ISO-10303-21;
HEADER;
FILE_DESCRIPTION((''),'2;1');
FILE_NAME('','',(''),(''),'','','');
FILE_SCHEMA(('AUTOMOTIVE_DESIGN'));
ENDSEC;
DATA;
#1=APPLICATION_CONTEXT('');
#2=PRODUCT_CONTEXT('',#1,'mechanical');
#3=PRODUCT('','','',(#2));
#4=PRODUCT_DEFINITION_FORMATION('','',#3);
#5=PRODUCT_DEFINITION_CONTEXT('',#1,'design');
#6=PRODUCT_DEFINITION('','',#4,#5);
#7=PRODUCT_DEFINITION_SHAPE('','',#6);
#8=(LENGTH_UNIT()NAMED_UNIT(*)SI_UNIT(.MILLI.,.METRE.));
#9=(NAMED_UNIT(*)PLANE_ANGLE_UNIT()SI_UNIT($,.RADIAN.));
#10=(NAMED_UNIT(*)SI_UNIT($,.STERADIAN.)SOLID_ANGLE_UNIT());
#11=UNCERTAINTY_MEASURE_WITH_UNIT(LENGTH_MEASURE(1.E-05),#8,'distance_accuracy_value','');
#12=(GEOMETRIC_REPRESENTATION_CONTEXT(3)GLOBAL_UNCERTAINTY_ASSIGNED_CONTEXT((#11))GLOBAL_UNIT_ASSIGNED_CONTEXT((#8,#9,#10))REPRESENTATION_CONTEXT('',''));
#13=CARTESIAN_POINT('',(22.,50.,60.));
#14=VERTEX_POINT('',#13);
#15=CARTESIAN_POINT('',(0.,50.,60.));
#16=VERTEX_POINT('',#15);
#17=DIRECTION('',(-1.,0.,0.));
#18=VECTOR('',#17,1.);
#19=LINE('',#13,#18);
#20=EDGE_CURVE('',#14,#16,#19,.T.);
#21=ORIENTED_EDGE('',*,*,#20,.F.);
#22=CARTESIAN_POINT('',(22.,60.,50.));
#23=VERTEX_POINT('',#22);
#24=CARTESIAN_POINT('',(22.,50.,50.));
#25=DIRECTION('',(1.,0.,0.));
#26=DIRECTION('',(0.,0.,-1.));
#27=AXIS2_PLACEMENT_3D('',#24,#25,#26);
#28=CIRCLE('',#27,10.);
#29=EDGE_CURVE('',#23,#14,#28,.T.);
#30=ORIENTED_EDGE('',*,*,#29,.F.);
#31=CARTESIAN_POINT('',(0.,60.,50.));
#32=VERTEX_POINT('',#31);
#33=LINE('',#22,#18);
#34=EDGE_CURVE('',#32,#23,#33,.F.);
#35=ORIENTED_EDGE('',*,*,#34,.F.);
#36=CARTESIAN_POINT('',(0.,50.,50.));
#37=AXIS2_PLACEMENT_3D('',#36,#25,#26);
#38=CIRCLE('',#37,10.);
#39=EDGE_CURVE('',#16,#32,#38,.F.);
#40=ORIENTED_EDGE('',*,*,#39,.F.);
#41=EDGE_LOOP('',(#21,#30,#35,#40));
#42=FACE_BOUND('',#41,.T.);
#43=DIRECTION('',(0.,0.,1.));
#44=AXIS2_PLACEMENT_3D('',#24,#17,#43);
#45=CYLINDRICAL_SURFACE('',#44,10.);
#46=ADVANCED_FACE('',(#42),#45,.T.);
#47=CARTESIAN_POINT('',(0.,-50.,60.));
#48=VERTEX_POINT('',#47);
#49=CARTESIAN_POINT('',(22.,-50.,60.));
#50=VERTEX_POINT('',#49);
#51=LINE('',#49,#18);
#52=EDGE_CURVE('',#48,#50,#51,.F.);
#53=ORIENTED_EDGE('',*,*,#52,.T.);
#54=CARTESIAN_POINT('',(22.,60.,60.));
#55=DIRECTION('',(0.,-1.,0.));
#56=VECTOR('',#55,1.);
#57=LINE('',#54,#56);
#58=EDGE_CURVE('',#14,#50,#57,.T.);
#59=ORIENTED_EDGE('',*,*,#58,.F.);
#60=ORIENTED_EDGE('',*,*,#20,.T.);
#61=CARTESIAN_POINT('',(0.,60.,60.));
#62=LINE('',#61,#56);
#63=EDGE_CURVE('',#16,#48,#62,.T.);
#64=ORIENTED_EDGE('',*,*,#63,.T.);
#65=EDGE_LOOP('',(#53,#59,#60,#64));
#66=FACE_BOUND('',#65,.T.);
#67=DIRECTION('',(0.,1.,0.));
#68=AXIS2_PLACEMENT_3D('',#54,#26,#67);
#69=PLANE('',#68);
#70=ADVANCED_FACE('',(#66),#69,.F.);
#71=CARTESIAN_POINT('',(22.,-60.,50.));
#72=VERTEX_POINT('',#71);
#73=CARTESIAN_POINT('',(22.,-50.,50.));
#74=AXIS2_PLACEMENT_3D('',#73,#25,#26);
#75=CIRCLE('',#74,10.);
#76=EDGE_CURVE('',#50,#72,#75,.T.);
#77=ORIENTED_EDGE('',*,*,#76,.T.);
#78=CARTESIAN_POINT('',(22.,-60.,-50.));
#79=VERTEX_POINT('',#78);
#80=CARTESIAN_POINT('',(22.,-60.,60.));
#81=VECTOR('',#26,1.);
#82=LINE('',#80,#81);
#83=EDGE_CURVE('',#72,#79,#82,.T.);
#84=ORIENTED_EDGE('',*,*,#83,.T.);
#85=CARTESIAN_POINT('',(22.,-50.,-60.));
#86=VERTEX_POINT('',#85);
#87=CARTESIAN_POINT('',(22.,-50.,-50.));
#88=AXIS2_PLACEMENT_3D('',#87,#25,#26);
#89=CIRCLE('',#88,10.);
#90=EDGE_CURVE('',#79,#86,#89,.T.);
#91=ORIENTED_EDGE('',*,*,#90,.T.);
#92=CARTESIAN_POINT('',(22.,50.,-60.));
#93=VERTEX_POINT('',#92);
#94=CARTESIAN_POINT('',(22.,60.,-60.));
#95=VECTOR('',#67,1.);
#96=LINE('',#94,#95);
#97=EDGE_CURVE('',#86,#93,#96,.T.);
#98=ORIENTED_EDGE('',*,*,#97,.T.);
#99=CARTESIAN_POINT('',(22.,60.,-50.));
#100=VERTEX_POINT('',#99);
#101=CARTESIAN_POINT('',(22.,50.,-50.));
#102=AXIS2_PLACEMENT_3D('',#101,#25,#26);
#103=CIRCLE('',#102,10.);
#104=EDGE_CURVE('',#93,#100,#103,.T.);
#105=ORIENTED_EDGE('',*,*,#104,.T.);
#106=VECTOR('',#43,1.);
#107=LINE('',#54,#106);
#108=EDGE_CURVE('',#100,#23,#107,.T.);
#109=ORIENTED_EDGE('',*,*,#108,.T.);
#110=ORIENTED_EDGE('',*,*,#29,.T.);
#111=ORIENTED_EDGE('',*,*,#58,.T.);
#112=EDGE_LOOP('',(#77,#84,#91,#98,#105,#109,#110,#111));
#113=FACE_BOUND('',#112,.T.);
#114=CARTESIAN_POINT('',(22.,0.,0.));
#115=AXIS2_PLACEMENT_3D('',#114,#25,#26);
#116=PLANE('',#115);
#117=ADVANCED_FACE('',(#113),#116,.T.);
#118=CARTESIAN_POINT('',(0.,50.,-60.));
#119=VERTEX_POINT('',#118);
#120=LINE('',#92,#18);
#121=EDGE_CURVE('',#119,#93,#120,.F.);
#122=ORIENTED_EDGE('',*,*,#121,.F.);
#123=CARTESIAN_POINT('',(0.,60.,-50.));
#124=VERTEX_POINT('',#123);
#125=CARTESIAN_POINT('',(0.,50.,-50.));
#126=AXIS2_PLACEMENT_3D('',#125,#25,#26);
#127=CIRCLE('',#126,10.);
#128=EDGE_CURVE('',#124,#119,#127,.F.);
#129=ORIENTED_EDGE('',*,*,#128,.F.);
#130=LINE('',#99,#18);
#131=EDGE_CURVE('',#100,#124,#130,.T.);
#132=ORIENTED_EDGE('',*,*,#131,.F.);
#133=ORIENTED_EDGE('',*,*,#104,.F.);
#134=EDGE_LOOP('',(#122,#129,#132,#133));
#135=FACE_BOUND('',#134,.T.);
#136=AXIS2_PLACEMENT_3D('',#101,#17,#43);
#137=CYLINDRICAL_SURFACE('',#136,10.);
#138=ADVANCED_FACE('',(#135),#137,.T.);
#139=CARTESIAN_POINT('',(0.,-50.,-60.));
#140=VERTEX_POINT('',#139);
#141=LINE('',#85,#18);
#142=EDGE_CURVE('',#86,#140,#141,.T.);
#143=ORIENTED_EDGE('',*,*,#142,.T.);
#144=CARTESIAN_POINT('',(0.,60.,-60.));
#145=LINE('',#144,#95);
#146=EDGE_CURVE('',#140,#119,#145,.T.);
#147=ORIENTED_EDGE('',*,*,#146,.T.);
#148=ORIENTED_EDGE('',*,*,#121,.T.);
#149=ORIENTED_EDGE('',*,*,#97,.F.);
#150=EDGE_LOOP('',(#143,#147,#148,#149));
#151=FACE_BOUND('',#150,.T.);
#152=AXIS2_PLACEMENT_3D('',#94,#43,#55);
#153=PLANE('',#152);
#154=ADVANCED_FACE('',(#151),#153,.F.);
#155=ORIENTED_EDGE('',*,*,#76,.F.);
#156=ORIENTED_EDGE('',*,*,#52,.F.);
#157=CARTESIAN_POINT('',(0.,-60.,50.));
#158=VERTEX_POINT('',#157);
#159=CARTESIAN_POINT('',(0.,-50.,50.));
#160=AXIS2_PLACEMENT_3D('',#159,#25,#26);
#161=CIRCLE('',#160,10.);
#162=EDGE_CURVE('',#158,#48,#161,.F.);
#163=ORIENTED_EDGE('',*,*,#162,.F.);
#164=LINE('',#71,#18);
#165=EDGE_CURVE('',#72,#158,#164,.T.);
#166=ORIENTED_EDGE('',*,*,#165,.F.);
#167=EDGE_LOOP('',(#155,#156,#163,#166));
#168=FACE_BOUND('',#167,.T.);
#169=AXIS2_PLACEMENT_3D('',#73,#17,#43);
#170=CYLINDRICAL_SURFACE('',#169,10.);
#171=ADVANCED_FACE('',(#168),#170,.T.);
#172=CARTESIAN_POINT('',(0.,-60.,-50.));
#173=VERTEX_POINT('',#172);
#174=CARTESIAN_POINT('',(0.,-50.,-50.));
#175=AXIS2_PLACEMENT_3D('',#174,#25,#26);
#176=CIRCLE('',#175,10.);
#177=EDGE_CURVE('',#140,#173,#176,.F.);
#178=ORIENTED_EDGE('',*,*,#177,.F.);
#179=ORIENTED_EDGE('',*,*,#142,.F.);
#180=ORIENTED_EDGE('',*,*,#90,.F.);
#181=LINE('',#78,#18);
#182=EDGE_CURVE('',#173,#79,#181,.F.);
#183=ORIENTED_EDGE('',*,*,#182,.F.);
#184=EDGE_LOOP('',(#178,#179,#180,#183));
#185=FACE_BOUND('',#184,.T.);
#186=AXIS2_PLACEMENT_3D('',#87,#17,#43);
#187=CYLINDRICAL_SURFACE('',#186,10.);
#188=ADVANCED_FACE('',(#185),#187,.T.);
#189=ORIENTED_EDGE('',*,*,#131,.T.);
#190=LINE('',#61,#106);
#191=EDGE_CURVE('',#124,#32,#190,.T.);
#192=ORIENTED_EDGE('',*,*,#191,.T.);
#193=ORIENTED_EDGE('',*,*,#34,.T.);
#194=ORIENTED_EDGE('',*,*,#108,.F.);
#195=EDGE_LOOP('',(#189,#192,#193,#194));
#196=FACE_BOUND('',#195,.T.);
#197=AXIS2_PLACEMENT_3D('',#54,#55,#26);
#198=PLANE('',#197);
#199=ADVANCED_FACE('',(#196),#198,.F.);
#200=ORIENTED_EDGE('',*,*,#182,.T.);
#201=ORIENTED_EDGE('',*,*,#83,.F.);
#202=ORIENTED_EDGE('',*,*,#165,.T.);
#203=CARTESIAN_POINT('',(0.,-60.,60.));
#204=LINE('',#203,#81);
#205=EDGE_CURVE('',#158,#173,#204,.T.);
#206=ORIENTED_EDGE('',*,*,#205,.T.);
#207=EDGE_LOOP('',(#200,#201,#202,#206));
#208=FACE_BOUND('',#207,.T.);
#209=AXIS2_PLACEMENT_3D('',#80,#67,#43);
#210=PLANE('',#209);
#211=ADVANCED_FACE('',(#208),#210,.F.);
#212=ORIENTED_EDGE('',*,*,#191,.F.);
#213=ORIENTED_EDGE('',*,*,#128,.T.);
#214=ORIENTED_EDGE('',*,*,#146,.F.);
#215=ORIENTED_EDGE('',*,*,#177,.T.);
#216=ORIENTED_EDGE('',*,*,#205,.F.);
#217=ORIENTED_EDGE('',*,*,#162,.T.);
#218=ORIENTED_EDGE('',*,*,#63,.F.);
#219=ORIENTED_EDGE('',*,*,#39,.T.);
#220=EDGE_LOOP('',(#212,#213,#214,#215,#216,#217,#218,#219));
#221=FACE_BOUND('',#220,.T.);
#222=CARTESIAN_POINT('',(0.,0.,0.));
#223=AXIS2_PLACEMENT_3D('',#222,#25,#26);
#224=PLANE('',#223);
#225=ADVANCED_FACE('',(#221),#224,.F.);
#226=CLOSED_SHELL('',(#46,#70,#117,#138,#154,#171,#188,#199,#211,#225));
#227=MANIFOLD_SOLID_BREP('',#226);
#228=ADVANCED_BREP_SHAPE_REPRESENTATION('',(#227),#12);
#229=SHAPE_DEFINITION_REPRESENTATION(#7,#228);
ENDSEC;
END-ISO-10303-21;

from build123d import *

# Parameters (mm, degrees)
SKETCH_1_W      = 120
SKETCH_1_H      = 120
EXTRUDE_1_DEPTH = 22
FILLET_1_R      = 10


with BuildPart() as part:
    # 草图1 → 凸台-拉伸1 (new body)
    with BuildSketch(Plane(origin=(0, 0, 0), x_dir=(0, 0, -1), z_dir=(1, 0, 0))):
        Rectangle(SKETCH_1_W, SKETCH_1_H)
    extrude(amount=EXTRUDE_1_DEPTH)

    # 圆角1
    fillet_1_edges = [part.edges().sort_by_distance(p)[0] for p in [
        (11, 60, 60),
        (11, 60, -60),
        (11, -60, -60),
        (11, -60, 60),
    ]]
    fillet(fillet_1_edges, radius=FILLET_1_R)


solid = part.part
